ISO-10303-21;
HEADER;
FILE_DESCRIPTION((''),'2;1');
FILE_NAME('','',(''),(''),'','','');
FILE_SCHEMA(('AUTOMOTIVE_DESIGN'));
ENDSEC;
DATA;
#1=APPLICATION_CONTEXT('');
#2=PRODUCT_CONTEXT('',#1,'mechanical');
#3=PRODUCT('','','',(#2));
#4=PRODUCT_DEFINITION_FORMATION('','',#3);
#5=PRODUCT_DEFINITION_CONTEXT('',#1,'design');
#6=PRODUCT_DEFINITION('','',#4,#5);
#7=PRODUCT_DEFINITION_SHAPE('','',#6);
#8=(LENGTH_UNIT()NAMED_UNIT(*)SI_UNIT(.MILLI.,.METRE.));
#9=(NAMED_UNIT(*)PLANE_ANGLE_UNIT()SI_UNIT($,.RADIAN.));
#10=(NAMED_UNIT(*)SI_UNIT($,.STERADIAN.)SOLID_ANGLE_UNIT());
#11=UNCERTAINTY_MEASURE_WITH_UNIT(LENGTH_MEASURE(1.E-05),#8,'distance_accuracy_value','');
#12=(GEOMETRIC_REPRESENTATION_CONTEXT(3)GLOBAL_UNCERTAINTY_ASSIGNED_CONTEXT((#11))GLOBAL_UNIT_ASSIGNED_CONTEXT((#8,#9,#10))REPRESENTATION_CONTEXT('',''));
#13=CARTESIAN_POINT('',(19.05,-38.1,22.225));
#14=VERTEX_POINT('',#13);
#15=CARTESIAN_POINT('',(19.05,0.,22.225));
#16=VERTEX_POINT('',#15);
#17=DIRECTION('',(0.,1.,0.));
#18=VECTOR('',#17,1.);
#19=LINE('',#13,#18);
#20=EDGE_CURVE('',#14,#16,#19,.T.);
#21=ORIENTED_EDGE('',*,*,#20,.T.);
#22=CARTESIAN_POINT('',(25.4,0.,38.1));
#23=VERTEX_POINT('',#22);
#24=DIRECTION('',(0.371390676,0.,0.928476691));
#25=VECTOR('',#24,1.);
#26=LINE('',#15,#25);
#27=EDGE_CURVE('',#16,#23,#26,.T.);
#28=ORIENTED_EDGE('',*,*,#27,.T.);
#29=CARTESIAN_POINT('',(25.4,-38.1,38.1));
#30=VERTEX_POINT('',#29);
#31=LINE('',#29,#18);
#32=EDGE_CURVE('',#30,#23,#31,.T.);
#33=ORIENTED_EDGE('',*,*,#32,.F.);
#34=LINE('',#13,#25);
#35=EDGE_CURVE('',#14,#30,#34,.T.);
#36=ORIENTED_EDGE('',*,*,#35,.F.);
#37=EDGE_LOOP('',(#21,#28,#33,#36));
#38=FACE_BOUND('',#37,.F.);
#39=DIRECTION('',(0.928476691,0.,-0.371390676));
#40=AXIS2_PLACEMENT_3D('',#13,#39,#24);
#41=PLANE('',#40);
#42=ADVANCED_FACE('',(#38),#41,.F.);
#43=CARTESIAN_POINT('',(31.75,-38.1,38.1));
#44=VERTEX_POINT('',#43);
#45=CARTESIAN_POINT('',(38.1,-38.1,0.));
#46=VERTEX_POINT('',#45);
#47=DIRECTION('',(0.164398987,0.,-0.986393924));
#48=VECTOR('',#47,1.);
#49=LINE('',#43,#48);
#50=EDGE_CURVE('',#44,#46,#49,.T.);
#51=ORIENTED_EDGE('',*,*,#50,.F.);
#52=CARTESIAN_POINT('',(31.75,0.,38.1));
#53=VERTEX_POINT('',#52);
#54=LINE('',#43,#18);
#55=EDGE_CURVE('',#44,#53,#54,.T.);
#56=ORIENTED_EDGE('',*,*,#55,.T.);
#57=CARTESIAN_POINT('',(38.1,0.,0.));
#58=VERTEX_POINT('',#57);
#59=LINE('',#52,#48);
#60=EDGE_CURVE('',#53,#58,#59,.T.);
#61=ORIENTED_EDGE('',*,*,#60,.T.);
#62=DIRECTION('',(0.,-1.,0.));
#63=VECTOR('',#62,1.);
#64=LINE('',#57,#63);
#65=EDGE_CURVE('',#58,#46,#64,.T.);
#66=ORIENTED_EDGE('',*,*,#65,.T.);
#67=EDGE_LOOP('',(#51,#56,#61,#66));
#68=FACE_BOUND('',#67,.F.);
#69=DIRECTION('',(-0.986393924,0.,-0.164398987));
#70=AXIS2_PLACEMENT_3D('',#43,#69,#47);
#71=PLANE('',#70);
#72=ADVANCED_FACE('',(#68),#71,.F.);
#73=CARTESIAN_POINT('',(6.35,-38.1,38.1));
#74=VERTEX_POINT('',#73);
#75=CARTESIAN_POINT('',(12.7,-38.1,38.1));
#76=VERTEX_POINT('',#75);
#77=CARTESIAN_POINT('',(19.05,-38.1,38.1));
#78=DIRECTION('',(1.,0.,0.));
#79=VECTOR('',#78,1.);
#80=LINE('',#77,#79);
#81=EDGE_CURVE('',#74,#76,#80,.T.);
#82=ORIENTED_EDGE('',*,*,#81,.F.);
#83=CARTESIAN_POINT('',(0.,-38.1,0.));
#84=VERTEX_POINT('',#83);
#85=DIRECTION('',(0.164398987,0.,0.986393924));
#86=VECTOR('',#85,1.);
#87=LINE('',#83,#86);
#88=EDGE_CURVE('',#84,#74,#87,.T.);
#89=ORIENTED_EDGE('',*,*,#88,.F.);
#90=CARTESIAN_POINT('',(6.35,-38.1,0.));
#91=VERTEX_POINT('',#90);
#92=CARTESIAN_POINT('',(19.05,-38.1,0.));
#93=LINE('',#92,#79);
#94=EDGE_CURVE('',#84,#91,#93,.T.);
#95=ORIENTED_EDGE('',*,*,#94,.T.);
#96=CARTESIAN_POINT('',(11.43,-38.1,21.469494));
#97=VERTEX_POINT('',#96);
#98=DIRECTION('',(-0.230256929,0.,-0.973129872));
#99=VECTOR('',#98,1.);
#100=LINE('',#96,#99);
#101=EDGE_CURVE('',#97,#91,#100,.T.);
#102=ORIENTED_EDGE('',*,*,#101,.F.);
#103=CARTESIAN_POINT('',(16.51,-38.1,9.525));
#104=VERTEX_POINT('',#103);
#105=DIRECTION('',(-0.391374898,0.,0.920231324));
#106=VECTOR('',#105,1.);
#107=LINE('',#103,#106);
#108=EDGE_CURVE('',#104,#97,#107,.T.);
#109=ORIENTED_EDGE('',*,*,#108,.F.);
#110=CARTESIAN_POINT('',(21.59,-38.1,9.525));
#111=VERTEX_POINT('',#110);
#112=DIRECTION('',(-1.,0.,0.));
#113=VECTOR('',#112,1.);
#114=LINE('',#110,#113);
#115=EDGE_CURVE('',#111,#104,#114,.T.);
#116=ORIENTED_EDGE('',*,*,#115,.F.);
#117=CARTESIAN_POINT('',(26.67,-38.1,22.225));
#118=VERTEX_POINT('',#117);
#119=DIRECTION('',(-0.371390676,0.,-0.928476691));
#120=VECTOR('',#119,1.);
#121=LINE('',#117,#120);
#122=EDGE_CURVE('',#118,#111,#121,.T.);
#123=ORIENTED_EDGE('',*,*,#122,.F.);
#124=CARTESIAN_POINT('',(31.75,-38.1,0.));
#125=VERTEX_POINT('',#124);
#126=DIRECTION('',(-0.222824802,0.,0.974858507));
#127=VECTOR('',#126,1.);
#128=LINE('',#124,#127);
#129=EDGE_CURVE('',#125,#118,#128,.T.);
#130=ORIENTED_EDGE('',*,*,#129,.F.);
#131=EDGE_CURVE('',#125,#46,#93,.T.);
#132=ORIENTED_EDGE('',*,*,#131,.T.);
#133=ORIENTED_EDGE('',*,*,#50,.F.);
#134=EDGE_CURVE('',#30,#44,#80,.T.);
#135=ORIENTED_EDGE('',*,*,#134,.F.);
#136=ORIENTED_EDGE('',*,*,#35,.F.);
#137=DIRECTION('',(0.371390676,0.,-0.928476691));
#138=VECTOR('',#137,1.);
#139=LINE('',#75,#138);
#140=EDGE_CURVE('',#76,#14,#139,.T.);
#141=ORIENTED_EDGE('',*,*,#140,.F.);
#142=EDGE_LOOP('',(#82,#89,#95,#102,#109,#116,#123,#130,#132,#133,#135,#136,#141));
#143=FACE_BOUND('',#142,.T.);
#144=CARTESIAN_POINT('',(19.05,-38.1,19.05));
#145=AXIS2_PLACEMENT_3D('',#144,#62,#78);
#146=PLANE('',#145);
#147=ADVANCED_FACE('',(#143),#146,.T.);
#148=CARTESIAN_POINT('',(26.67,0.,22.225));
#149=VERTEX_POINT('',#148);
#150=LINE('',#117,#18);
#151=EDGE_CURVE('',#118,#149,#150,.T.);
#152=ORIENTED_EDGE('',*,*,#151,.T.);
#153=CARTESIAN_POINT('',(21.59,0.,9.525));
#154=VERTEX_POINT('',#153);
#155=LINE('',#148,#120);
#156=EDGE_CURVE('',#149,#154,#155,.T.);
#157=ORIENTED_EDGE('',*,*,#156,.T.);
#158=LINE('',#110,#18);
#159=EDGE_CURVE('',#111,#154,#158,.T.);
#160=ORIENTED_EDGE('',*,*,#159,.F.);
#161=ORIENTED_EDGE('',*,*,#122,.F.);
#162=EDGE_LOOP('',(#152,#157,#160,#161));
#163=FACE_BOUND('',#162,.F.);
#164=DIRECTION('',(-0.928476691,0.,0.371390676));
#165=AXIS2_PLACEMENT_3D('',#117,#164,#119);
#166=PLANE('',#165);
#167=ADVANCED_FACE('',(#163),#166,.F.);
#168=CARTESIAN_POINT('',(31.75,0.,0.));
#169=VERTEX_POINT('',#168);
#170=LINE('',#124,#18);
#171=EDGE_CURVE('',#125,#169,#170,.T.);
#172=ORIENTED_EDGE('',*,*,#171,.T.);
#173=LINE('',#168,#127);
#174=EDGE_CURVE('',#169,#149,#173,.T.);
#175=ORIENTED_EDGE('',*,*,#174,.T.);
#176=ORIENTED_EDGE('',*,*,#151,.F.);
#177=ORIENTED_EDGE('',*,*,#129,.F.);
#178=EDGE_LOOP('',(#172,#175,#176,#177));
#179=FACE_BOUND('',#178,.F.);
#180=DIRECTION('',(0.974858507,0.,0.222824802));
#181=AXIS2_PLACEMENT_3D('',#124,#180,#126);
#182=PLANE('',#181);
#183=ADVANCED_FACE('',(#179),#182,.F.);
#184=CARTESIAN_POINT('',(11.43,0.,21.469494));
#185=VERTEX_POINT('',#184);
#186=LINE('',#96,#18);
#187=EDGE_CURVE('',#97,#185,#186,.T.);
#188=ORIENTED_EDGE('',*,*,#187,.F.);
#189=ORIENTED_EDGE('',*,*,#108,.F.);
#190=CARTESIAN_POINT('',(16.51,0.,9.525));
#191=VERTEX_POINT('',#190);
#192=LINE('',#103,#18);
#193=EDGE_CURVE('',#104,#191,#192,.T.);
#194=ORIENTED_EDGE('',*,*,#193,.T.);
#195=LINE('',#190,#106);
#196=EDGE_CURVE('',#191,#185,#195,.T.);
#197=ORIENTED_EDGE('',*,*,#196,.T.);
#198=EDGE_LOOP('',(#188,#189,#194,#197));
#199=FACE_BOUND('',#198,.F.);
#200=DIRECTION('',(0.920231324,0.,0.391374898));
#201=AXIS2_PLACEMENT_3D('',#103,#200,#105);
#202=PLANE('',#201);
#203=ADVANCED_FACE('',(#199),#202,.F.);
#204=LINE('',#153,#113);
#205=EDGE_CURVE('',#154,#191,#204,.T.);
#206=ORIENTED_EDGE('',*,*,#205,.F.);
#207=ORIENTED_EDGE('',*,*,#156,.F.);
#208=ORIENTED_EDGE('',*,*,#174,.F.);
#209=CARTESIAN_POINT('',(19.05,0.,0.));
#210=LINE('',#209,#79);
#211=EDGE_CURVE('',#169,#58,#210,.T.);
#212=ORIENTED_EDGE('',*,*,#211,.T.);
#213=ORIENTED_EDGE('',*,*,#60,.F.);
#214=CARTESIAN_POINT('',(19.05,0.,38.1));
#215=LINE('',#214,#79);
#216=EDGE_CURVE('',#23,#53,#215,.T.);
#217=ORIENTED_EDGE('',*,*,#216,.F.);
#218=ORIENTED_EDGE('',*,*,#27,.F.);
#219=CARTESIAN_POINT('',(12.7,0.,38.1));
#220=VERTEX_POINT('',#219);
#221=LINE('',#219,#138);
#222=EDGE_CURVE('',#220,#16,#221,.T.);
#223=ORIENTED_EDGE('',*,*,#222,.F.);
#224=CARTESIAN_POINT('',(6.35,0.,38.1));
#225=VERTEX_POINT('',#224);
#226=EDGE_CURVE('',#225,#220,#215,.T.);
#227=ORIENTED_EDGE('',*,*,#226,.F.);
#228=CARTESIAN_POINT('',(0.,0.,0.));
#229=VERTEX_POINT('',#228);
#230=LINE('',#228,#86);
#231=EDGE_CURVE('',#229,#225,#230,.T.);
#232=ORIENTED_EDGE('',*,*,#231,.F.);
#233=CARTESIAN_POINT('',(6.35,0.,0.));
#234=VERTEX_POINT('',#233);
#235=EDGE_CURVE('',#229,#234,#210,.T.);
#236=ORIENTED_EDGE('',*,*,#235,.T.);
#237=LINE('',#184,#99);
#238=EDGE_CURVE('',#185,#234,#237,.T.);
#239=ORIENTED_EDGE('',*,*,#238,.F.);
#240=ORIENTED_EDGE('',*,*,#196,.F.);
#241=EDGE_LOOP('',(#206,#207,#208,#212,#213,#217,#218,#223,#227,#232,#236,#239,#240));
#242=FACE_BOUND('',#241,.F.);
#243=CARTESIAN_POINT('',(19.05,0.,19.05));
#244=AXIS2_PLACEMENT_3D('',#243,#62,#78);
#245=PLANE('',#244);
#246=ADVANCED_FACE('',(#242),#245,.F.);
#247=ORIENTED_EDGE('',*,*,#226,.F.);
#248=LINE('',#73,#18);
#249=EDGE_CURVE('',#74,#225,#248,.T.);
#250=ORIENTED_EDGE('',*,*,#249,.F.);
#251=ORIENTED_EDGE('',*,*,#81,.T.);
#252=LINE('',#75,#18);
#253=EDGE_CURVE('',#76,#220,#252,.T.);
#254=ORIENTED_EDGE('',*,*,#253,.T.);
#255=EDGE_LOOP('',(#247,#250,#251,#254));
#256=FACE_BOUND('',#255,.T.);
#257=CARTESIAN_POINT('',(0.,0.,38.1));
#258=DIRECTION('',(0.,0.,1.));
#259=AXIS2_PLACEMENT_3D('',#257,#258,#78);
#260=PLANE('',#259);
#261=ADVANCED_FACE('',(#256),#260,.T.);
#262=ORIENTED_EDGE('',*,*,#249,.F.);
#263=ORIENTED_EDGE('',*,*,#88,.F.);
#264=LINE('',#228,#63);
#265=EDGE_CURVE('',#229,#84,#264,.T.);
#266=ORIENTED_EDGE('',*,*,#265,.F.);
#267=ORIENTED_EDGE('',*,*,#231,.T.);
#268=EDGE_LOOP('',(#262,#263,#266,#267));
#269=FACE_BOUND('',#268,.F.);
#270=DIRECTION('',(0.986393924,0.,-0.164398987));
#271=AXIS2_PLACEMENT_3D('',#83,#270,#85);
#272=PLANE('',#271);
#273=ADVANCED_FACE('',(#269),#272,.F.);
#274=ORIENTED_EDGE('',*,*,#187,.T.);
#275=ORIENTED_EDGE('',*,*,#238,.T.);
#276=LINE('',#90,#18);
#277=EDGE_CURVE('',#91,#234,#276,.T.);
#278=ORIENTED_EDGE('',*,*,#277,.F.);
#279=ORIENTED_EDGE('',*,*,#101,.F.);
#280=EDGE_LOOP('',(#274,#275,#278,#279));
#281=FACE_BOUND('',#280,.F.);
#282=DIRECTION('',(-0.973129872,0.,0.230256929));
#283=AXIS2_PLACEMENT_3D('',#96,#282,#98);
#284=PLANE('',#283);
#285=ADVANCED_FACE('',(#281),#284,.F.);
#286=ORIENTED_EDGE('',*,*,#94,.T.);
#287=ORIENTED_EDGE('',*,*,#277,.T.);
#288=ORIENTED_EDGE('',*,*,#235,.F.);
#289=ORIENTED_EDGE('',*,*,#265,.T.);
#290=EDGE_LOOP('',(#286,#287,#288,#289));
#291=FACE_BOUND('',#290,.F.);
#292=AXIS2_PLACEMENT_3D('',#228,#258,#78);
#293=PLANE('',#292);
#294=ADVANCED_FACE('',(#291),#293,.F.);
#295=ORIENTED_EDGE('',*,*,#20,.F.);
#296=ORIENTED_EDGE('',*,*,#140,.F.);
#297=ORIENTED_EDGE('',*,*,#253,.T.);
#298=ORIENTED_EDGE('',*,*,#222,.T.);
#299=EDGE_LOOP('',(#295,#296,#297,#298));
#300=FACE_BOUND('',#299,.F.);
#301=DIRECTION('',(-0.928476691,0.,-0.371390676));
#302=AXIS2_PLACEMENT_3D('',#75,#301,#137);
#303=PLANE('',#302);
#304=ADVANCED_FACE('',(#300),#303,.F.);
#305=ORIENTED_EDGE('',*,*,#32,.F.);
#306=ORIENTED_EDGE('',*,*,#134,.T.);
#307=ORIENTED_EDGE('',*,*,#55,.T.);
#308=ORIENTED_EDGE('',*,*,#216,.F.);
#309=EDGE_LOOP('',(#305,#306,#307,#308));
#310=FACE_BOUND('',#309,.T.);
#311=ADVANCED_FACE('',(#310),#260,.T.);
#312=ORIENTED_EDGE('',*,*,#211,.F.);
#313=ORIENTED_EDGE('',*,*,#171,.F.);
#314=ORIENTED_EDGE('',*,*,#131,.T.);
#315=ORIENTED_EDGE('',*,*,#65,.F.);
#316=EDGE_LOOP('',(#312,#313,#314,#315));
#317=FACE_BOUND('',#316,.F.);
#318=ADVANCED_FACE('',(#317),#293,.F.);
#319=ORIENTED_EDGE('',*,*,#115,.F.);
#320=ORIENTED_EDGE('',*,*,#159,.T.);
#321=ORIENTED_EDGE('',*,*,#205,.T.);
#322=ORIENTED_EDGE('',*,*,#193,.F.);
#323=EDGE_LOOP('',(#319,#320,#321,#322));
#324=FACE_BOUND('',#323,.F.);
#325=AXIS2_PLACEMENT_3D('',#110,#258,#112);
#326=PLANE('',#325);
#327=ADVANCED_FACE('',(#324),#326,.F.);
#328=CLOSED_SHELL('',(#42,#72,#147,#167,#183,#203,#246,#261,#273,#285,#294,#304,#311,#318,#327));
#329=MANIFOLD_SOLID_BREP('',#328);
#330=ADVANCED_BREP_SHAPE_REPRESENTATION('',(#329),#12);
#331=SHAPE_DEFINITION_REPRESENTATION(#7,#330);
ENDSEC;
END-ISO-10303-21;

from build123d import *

# Parameters (mm, degrees)
F0_W     = 38.1
F0_H     = 38.1
F1_DEPTH = 38.1
F5_DEPTH = 38.1


with BuildPart() as f1:
    # F0 (on Front) → F1 (new body)
    with BuildSketch(Plane.XZ):
        with Locations((19.05, 19.05)):
            Rectangle(F0_W, F0_H)
    extrude(amount=F1_DEPTH)

    # F4 (on offset) → F5 (cut)
    with BuildSketch(Plane.XZ.offset(38.1)):
        Polygon((11.43, 21.469494), (6.35, 0), (31.75, 0), (26.67, 22.225), (21.59, 9.525), (16.51, 9.525), align=None)
        Polygon((31.75, 38.1), (38.1, 0), (38.1, 38.1), align=None)
        Polygon((25.4, 38.1), (12.7, 38.1), (19.05, 22.225), align=None)
        Polygon((6.35, 38.1), (0, 38.1), (0, 0), align=None)
    extrude(amount=-F5_DEPTH, mode=Mode.SUBTRACT)


solid = f1.part
